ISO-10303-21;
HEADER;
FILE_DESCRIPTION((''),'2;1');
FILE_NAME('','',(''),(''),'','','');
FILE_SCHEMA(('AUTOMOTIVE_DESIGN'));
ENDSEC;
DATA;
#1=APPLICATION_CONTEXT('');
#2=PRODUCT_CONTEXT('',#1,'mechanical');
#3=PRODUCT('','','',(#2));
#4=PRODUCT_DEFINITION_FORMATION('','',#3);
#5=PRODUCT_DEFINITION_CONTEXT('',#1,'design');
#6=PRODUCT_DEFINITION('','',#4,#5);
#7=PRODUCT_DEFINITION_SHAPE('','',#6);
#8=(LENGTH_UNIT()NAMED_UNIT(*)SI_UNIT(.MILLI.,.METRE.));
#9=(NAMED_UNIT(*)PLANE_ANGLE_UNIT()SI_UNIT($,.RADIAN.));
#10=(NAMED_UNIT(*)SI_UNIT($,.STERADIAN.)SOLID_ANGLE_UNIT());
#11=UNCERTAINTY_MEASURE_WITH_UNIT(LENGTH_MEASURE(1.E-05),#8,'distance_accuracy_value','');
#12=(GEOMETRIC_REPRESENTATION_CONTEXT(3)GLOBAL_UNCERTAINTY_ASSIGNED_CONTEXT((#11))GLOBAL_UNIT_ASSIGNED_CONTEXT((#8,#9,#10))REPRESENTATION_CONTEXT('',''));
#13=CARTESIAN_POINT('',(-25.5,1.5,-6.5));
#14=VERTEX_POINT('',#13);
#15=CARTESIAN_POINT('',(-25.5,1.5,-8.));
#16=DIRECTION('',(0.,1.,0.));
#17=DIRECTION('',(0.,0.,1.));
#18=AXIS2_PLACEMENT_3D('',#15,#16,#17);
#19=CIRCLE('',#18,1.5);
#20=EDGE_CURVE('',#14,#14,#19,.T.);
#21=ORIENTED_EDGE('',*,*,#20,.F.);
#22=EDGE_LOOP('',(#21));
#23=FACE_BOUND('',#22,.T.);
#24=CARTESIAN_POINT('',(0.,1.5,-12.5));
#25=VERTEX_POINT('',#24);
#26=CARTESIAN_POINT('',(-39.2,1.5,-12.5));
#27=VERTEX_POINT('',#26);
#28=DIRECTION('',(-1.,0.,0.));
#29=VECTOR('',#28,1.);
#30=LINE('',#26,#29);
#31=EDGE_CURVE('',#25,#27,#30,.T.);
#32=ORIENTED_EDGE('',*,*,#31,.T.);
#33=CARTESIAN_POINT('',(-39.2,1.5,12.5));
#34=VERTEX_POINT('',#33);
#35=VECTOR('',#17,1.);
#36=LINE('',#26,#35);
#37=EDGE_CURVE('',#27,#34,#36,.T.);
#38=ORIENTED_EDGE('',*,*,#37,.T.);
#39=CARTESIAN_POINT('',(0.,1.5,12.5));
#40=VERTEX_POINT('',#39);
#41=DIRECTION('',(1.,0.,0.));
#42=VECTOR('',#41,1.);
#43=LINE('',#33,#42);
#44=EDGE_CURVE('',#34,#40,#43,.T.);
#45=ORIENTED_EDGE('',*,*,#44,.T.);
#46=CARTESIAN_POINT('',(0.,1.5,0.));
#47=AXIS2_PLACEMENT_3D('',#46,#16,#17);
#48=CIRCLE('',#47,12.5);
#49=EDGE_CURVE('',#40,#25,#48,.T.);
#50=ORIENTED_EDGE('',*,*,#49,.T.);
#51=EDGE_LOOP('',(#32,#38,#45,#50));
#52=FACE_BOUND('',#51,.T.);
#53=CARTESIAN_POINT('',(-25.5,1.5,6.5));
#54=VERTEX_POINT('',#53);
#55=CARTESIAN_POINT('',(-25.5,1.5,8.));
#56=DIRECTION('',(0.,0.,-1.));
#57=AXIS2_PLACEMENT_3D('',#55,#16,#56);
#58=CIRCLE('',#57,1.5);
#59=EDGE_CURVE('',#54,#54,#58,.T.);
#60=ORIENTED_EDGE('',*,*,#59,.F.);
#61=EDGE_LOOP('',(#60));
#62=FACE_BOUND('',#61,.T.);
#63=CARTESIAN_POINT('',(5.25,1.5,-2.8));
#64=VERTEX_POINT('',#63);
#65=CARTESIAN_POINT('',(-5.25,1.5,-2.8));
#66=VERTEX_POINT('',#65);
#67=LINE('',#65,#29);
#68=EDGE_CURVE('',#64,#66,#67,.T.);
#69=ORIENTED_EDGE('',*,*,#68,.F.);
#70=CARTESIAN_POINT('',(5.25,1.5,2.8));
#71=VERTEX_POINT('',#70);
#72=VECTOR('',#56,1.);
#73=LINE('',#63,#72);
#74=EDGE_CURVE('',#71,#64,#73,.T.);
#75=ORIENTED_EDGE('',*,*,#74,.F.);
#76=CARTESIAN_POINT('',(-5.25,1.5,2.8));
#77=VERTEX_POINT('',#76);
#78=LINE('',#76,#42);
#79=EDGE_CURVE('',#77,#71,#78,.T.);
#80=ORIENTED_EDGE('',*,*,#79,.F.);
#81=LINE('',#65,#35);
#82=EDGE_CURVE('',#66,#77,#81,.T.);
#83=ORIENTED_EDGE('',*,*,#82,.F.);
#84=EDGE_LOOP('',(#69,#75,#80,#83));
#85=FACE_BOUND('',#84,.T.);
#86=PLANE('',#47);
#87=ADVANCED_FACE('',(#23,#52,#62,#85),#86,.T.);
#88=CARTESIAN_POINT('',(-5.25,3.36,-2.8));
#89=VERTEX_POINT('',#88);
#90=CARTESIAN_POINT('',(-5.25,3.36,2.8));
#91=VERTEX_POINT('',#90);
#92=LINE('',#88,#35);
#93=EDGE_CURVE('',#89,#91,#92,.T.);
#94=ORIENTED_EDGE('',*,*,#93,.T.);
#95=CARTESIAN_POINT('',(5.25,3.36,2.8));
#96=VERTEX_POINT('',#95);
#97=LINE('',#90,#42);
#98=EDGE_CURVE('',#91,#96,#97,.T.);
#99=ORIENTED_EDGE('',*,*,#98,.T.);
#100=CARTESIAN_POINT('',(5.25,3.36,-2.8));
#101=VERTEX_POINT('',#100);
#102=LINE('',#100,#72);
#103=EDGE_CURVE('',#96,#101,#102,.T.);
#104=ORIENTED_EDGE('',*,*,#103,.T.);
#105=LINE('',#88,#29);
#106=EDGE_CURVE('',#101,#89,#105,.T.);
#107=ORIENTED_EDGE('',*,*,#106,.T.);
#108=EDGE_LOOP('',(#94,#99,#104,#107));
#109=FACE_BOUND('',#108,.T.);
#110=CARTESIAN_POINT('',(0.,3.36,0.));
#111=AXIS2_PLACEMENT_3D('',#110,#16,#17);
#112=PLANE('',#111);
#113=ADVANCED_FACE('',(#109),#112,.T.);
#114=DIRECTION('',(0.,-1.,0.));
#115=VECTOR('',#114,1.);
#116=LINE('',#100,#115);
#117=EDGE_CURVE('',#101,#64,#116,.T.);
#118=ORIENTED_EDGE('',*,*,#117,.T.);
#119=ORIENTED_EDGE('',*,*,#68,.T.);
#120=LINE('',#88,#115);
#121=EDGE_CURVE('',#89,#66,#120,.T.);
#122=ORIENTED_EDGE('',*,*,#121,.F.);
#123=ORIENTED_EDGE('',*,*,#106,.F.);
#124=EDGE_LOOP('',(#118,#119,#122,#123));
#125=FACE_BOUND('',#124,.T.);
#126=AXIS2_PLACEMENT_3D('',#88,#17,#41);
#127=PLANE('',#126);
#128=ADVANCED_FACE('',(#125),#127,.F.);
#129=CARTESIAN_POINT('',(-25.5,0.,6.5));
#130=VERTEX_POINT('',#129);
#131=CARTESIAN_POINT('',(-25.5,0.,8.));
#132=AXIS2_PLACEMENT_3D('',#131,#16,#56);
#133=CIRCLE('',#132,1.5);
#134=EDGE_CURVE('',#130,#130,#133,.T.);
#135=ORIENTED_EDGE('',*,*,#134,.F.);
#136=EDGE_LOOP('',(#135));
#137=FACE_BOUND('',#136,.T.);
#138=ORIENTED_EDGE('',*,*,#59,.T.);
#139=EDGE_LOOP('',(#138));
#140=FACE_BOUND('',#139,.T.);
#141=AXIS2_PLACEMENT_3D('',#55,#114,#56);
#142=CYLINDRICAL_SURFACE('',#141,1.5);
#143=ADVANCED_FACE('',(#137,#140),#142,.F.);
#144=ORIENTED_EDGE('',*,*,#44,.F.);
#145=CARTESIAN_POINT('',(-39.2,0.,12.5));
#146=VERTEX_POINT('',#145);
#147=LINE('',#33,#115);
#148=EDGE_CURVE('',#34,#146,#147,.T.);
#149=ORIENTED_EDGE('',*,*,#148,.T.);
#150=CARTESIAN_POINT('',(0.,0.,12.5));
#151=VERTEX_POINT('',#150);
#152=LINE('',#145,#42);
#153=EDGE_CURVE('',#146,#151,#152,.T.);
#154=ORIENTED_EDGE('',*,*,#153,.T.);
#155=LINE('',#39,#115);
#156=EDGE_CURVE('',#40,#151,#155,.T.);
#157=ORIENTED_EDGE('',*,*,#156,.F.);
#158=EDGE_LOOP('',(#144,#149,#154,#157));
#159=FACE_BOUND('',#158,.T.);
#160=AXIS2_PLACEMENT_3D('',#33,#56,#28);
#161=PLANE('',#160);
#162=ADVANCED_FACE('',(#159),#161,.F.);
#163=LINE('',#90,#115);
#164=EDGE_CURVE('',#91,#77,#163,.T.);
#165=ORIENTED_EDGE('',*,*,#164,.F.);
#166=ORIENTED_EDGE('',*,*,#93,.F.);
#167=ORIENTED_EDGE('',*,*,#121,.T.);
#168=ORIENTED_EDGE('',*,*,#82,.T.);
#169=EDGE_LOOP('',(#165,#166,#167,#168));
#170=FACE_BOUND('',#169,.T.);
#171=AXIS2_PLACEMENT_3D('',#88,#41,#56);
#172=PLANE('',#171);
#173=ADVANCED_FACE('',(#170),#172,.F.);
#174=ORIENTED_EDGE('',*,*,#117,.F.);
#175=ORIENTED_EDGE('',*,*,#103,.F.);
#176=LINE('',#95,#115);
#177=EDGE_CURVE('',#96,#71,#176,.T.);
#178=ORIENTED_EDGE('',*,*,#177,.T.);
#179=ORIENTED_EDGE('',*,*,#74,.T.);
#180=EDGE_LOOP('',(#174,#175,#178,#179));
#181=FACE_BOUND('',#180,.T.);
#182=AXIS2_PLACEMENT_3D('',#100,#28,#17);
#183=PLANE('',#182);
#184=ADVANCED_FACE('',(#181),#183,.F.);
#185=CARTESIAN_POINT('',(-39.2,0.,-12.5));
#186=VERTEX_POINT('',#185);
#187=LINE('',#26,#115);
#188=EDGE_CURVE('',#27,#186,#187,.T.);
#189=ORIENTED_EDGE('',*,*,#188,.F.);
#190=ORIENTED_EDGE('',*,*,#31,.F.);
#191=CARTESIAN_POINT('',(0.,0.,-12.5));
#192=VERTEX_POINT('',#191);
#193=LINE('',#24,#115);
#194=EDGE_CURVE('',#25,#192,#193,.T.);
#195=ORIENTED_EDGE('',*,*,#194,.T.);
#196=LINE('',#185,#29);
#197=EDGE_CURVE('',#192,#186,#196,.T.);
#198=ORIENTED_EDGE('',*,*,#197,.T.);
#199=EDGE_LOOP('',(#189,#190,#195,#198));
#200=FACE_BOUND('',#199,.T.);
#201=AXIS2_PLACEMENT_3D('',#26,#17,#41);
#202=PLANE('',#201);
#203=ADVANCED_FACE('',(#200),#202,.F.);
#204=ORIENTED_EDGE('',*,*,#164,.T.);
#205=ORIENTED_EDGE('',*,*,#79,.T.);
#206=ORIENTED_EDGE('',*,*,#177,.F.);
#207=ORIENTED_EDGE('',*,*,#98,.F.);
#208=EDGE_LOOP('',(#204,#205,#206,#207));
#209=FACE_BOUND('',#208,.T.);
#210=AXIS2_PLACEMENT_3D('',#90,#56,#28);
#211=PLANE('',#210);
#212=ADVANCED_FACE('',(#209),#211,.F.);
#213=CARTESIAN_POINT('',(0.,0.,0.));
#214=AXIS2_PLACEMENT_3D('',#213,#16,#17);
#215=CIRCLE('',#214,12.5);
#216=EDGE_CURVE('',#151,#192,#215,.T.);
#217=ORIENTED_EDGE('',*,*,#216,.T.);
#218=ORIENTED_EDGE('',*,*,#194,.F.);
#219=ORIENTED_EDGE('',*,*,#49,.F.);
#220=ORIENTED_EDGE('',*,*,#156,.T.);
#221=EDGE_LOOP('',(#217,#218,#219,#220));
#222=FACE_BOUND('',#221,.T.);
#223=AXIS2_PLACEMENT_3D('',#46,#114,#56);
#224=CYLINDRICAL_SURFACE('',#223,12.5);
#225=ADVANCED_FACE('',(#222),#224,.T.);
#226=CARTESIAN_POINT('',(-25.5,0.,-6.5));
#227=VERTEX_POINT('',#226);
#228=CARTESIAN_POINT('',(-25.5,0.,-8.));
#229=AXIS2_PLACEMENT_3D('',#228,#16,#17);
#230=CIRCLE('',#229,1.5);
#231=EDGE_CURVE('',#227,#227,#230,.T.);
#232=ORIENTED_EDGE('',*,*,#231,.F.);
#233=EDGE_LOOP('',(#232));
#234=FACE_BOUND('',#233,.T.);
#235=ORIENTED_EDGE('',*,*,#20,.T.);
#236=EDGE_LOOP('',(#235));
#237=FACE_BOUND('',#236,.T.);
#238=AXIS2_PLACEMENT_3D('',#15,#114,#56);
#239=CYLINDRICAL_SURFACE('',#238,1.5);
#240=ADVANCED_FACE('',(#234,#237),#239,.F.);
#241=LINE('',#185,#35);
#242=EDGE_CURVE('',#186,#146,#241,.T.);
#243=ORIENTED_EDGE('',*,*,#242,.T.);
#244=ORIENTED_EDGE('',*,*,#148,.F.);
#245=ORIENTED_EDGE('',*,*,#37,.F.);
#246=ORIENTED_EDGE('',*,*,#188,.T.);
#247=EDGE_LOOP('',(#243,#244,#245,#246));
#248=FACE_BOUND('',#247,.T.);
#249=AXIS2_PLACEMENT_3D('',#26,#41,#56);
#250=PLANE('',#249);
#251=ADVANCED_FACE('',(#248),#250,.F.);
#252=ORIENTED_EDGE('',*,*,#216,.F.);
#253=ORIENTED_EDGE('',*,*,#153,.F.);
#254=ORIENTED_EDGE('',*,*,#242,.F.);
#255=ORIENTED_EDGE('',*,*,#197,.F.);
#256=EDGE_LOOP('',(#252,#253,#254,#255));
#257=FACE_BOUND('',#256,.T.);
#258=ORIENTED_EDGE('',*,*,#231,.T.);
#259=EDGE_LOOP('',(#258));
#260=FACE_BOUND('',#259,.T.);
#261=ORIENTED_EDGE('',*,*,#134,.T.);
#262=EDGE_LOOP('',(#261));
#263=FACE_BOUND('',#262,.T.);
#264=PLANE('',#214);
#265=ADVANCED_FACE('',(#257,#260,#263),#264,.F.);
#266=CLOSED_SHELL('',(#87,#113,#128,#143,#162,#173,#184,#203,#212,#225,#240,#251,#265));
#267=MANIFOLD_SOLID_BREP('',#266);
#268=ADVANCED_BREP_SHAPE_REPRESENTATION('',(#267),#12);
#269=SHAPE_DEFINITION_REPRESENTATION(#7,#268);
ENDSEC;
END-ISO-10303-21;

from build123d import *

# Parameters (mm, degrees)
SZKIC1_R                    = 1.5
DODANIE_WYCI_GNI_CIE1_DEPTH = 1.5
SZKIC2_W                    = 10.5
SZKIC2_H                    = 5.6
DODANIE_WYCI_GNI_CIE2_DEPTH = 1.86


with BuildPart() as part:
    # Szkic1 → Dodanie-wyciągnięcie1 (new body)
    with BuildSketch(Plane(origin=(0, 0, 0), x_dir=(1, 0, 0), z_dir=(0, 1, 0))):
        with BuildLine():
            Line((-39.2, 12.5), (0, 12.5))
            ThreePointArc((0, 12.5), (12.5, 0), (0, -12.5))
            Line((0, -12.5), (-39.2, -12.5))
            Line((-39.2, -12.5), (-39.2, 12.5))
        make_face()
        with Locations(Location((-25.5, 8, 0), (0, 0, 270))):
            Circle(SZKIC1_R, mode=Mode.SUBTRACT)
        with Locations(Location((-25.5, -8, 0), (0, 0, 90))):
            Circle(SZKIC1_R, mode=Mode.SUBTRACT)
    extrude(amount=DODANIE_WYCI_GNI_CIE1_DEPTH)

    # Szkic2 → Dodanie-wyciągnięcie2 (add)
    with BuildSketch(Plane(origin=(0, 1.5, 0), x_dir=(1, 0, 0), z_dir=(0, 1, 0))):
        Rectangle(SZKIC2_W, SZKIC2_H)
    extrude(amount=DODANIE_WYCI_GNI_CIE2_DEPTH)


solid = part.part
